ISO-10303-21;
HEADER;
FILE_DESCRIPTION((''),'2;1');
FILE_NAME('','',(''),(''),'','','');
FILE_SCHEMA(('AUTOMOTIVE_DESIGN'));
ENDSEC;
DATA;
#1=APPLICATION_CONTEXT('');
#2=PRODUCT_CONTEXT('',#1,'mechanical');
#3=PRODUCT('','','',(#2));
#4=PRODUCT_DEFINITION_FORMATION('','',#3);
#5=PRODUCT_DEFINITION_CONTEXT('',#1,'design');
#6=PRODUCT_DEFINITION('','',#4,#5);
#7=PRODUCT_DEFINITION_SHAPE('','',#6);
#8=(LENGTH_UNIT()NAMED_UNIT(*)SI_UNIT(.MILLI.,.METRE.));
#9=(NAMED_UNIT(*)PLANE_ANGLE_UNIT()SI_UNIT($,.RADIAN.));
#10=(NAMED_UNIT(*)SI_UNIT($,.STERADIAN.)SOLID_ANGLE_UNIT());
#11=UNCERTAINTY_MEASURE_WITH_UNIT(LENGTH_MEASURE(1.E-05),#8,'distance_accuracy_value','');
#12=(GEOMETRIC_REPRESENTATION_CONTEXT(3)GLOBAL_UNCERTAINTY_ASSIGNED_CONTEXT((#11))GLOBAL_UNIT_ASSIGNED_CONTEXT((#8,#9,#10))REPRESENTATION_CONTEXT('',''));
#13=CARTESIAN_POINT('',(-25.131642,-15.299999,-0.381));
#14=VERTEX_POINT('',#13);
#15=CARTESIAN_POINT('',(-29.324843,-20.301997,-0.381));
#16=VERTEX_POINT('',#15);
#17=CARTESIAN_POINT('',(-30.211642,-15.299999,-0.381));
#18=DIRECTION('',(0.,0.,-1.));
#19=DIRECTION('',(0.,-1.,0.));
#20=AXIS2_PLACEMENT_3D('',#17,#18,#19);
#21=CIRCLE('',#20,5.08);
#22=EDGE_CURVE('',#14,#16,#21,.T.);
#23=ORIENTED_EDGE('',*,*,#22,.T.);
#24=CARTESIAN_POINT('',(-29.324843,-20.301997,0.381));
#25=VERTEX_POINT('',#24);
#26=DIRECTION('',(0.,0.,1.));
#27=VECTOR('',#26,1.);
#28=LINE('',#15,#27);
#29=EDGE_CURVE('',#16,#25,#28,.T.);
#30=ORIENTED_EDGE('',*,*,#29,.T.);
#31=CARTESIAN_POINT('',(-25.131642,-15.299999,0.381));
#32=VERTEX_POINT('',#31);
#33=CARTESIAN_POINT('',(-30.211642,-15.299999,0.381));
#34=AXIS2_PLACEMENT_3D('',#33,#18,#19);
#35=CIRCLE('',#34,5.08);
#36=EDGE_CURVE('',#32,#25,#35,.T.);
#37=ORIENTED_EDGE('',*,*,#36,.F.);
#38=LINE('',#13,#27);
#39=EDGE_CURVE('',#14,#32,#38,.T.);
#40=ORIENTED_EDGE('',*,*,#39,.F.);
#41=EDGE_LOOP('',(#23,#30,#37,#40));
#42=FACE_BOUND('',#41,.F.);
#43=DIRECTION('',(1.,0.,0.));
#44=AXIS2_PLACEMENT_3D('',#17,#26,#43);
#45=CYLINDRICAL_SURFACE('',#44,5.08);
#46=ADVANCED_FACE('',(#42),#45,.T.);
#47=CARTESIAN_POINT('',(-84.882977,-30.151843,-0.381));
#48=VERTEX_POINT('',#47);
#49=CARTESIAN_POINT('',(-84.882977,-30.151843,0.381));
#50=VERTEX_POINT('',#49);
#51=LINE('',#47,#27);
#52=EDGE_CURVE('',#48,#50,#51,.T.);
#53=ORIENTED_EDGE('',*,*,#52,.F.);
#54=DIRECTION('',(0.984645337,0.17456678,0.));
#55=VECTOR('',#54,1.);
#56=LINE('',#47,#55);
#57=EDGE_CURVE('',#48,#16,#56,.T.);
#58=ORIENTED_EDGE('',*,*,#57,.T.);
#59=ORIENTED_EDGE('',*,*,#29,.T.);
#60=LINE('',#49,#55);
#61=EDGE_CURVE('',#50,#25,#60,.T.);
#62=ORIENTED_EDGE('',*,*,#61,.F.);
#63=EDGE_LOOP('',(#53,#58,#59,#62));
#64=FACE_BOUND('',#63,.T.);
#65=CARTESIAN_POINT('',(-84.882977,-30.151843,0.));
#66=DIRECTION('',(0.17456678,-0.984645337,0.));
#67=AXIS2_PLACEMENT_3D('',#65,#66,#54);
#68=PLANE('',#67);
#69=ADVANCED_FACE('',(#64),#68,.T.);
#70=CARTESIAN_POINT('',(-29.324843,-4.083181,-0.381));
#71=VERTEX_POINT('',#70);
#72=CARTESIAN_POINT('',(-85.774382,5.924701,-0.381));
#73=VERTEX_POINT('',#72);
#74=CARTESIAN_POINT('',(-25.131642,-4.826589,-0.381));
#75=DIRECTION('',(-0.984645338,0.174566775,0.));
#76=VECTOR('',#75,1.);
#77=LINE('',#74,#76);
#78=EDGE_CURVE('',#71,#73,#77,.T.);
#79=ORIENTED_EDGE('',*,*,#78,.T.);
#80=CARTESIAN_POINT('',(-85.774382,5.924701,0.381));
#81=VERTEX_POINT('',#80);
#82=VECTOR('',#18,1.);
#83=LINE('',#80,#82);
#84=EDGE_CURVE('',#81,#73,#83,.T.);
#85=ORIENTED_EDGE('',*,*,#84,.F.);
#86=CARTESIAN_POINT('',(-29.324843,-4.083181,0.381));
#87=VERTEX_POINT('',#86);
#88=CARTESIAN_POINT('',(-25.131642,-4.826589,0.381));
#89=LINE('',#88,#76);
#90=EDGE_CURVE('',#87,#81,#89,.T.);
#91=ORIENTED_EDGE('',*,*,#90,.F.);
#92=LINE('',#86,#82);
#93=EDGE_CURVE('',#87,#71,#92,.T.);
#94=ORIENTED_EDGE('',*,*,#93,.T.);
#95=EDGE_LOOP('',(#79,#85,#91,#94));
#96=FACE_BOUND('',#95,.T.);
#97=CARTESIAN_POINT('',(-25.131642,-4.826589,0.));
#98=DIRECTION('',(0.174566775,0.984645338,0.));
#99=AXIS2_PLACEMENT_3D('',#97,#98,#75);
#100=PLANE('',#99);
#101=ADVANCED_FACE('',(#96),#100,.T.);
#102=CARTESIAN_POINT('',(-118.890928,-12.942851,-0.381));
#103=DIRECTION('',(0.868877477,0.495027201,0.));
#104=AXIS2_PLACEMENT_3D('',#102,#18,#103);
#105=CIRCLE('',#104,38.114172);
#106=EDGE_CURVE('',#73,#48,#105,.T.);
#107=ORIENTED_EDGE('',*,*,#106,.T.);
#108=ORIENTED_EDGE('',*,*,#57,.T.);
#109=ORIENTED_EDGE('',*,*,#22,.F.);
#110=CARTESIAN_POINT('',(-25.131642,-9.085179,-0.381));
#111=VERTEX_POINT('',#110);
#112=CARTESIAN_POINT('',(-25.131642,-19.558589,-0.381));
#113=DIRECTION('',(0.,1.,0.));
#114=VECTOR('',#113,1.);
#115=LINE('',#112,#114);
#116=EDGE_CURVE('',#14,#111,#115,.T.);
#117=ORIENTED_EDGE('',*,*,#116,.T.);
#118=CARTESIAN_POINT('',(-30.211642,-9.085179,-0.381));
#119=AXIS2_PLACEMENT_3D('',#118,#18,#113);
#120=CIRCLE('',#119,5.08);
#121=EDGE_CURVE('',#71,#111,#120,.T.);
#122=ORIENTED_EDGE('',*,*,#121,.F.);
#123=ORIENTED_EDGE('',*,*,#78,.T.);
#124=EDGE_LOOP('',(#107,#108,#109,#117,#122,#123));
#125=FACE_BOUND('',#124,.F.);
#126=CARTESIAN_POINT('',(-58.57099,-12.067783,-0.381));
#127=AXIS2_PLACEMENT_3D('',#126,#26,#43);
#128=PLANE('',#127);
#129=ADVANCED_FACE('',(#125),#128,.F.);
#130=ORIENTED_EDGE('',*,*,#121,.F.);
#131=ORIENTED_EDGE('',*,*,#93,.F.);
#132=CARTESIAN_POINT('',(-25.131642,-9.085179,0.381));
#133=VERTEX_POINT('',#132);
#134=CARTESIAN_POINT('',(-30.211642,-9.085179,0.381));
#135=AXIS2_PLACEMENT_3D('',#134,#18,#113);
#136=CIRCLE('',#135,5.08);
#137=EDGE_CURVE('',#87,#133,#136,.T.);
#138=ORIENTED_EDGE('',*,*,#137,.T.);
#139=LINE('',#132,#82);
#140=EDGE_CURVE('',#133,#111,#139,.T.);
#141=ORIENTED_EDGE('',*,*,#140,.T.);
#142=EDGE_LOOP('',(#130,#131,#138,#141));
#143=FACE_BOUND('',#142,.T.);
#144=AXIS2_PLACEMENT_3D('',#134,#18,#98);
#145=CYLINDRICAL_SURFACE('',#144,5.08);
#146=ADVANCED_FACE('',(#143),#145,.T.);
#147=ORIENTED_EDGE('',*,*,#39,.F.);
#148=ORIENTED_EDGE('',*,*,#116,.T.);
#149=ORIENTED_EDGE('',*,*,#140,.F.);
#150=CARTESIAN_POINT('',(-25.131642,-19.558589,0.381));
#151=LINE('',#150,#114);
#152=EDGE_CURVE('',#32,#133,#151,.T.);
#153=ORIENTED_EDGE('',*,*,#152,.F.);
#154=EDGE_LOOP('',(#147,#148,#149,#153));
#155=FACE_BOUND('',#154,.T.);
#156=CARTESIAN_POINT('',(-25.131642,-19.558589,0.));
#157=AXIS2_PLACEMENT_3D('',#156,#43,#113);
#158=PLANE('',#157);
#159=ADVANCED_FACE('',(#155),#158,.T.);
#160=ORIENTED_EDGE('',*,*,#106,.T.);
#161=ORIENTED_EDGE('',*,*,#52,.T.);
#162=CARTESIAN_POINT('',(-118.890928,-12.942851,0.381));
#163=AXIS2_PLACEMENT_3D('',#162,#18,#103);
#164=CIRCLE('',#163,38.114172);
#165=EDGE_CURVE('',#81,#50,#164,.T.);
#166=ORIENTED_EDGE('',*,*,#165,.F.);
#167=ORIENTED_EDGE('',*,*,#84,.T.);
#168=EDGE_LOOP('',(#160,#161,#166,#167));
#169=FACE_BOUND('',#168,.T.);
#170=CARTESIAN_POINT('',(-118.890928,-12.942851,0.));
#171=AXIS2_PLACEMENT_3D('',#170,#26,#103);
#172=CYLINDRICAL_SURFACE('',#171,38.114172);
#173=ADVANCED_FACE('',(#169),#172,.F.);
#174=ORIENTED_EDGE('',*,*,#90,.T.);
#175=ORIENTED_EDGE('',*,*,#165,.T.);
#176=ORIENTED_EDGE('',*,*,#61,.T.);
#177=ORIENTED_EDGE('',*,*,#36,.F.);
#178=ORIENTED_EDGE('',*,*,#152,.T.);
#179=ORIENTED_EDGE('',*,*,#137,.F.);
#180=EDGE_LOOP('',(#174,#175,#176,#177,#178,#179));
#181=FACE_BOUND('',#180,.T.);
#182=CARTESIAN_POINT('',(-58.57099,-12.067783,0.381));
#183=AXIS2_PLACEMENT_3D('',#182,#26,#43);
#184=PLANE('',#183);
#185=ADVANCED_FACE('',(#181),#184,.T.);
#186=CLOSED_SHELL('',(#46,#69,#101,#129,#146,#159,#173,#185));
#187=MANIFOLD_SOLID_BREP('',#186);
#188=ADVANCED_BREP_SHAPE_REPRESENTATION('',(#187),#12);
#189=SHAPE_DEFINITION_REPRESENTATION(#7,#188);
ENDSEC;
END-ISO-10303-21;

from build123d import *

# Parameters (mm, degrees)
F1_DEPTH = 0.381
F2_R     = 5.08


with BuildPart() as f1:
    # F0 (on Top) → F1 (new body, symmetric)
    with BuildSketch(Plane.XY):
        with BuildLine():
            ThreePointArc((-85.774382, 5.924701), (-80.788385, -12.001386), (-84.882977, -30.151843))
            Line((-84.882977, -30.151843), (-25.131642, -19.558589))
            Line((-25.131642, -19.558589), (-25.131642, -4.826589))
            Line((-25.131642, -4.826589), (-85.774382, 5.924701))
        make_face()
    extrude(amount=F1_DEPTH, both=True)

    # F2
    f2_edges = [f1.edges().sort_by_distance(p)[0] for p in [
        (-25.131642, -19.558589, 0),
        (-25.131642, -4.826589, 0),
    ]]
    fillet(f2_edges, radius=F2_R)


solid = f1.part
